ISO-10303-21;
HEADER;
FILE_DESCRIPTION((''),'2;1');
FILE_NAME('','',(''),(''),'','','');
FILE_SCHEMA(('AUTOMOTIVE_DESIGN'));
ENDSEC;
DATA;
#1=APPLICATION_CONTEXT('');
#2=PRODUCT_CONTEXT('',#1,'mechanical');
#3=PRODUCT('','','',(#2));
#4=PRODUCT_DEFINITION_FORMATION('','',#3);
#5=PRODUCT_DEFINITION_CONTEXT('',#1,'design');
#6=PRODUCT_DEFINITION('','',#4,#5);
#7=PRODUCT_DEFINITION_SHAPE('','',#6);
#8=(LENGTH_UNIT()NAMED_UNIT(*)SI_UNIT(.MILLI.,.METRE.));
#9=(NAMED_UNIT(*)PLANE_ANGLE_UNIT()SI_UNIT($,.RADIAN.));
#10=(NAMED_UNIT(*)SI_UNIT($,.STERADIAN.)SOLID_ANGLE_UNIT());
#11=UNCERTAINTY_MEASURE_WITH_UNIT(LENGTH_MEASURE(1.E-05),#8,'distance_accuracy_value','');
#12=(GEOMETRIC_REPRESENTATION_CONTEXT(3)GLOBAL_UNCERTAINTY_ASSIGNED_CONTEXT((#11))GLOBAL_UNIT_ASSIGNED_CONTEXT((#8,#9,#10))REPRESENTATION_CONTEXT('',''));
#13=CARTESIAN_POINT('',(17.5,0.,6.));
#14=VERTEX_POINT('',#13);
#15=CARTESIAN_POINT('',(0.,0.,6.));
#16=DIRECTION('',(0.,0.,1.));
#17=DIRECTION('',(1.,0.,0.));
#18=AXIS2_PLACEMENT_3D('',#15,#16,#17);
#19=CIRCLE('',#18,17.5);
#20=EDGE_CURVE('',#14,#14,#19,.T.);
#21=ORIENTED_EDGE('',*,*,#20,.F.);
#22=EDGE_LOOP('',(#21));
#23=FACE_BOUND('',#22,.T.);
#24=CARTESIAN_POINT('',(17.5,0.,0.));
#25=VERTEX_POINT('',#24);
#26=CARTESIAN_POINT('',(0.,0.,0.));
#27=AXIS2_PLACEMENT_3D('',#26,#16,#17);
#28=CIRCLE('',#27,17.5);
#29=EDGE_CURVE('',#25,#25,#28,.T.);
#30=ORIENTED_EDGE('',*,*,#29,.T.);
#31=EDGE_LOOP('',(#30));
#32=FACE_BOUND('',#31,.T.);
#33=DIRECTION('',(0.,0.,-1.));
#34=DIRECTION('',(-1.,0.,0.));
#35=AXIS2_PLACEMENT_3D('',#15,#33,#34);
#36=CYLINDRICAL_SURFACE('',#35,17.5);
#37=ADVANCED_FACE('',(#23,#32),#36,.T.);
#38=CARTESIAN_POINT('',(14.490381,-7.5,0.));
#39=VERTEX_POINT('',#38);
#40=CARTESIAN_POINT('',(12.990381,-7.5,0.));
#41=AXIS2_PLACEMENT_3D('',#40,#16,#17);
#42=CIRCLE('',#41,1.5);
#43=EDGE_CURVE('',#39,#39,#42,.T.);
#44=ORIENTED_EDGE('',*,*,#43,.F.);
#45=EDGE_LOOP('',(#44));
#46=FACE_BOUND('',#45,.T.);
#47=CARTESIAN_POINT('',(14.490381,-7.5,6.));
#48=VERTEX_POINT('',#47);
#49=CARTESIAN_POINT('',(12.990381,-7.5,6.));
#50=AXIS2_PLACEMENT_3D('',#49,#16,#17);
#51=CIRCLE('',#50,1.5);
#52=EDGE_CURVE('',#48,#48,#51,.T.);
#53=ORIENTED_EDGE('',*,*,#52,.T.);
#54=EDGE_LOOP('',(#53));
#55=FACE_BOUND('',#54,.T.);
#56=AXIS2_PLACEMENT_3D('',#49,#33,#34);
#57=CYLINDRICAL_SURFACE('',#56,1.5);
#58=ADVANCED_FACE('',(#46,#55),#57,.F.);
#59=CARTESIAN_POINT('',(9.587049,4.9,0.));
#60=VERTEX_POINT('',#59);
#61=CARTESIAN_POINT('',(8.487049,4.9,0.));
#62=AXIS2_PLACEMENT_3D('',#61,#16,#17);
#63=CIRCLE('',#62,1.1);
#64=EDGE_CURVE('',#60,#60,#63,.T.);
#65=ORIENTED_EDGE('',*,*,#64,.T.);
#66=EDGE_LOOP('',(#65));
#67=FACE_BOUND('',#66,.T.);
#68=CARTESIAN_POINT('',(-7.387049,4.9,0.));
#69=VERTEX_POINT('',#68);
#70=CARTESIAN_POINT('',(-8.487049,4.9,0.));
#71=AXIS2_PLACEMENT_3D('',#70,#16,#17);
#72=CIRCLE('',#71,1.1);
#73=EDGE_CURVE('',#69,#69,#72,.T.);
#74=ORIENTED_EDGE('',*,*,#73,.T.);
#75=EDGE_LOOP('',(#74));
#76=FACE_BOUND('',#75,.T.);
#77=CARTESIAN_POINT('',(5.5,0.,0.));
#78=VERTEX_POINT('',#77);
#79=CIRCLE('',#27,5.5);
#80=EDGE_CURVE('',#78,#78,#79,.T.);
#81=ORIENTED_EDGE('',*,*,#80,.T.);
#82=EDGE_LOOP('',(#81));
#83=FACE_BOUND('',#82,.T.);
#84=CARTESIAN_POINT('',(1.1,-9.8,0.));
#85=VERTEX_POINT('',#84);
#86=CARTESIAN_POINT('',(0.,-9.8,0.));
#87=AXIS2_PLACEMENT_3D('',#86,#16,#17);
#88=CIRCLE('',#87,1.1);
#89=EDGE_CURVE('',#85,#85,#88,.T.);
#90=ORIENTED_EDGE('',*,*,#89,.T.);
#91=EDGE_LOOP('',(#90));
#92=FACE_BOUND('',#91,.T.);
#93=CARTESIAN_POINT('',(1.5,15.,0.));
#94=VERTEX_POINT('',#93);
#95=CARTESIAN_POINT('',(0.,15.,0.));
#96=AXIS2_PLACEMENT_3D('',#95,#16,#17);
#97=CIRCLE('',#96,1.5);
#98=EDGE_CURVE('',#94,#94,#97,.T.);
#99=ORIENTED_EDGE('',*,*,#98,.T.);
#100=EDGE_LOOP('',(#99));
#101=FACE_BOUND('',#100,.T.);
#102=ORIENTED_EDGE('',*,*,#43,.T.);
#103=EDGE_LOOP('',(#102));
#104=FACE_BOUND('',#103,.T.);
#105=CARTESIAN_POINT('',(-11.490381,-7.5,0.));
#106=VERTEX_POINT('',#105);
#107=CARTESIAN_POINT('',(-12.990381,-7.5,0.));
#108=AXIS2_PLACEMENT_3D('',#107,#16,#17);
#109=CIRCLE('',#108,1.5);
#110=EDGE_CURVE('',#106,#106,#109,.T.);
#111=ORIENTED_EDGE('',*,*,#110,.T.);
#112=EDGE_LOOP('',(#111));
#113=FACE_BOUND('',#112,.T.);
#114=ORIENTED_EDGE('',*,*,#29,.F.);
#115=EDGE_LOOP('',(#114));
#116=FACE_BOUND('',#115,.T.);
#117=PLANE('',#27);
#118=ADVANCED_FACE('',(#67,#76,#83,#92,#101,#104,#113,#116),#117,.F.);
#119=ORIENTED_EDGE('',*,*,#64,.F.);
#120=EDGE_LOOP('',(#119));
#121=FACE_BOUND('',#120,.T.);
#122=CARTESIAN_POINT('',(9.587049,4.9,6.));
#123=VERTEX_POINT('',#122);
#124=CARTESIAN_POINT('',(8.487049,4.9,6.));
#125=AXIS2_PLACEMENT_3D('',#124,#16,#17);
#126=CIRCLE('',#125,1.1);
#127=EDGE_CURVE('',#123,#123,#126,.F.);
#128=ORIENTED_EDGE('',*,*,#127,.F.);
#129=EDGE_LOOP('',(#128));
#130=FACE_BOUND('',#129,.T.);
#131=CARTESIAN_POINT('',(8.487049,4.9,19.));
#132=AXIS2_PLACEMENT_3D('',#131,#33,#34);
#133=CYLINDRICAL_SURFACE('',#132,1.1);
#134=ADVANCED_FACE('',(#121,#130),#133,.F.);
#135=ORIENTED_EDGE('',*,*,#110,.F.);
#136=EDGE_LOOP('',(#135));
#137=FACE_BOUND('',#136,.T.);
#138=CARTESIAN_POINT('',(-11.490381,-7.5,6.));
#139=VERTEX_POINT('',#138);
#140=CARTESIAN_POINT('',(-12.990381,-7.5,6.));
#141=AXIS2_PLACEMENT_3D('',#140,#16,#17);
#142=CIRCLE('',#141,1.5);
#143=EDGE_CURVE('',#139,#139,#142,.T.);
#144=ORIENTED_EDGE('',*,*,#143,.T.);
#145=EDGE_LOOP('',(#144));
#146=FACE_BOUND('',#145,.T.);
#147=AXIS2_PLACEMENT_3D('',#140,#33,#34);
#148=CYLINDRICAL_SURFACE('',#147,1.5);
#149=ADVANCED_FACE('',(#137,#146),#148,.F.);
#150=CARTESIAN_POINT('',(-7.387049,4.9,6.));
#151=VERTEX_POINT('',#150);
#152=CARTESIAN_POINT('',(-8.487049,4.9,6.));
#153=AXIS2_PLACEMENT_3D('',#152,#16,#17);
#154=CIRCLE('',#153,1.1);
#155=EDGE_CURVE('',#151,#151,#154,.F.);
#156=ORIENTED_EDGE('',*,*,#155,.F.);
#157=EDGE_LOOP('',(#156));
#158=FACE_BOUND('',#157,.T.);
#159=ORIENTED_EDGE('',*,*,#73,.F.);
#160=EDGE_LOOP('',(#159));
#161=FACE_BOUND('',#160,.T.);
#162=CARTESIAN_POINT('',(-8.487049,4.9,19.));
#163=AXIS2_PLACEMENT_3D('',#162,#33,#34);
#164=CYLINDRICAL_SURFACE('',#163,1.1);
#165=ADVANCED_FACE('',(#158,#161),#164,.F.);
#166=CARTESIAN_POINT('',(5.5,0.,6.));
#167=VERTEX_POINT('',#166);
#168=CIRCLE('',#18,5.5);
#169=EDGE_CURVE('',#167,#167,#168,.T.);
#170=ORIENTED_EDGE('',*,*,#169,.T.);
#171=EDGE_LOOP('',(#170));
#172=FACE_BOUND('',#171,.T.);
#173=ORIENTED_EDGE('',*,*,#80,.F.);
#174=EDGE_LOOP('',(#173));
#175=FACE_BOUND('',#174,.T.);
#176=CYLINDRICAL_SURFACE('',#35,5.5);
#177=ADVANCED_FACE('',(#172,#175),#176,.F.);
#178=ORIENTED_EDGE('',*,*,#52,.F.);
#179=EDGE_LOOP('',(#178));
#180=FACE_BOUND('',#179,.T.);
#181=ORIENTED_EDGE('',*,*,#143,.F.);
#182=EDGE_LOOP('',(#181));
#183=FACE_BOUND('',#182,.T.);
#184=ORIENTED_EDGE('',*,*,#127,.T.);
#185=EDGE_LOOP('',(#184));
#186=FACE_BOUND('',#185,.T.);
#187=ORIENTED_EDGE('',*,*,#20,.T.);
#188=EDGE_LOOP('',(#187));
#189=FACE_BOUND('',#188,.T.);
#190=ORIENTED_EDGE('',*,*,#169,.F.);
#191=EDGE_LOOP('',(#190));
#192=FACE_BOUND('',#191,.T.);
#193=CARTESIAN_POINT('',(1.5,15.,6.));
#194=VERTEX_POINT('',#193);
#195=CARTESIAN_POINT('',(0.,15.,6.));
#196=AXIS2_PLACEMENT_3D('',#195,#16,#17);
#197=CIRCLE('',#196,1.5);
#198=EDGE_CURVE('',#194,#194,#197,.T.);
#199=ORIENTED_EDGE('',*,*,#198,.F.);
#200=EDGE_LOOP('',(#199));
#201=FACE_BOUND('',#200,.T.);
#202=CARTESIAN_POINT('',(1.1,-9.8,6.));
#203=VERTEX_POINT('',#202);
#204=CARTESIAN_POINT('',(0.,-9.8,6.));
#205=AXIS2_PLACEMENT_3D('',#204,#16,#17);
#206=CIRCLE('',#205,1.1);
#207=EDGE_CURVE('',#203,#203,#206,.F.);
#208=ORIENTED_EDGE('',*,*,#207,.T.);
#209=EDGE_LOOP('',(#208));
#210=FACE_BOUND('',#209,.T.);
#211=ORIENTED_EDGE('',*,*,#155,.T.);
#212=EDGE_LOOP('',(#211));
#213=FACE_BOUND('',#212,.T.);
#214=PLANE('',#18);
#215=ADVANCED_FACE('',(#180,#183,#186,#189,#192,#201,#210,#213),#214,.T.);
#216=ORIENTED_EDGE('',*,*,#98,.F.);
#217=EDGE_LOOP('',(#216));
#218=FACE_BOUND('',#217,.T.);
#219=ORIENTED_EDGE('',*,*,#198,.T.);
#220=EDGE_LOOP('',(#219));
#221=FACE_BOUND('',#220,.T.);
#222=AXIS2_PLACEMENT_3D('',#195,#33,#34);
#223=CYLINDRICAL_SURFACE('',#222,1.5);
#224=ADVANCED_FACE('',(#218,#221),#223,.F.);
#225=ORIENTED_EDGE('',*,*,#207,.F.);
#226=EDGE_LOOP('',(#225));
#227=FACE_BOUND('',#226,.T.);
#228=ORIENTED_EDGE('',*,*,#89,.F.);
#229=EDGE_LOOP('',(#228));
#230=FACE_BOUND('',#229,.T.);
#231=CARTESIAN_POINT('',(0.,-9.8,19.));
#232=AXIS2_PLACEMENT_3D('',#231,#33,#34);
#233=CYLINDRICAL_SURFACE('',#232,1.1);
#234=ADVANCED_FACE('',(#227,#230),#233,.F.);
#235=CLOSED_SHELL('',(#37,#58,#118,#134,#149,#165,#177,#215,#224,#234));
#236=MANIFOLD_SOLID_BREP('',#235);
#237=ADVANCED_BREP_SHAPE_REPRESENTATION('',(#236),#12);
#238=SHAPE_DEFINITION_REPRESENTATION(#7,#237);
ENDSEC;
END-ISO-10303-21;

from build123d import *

# Parameters (mm, degrees)
SKETCH_1_R          = 17.5
SKETCH_1_R_2        = 1.5
SKETCH_1_R_3        = 5.5
EXTRUDE_1_DEPTH     = 6
SKETCH_2_R          = 1.1
CUT_EXTRUDE_1_DEPTH = 19


with BuildPart() as part:
    # 草图1 → 凸台-拉伸1 (new body)
    with BuildSketch(Plane.XY):
        Circle(SKETCH_1_R)
        with Locations((0, 15)):
            Circle(SKETCH_1_R_2, mode=Mode.SUBTRACT)
        with Locations((12.990381057, -7.5)):
            Circle(SKETCH_1_R_2, mode=Mode.SUBTRACT)
        with Locations((-12.990381057, -7.5)):
            Circle(SKETCH_1_R_2, mode=Mode.SUBTRACT)
        Circle(SKETCH_1_R_3, mode=Mode.SUBTRACT)
    extrude(amount=EXTRUDE_1_DEPTH)

    # 草图2 → 切除-拉伸1 (cut)
    with BuildSketch(Plane.XY):
        with Locations((-8.487048957, 4.9)):
            Circle(SKETCH_2_R)
        with Locations((8.487048957, 4.9)):
            Circle(SKETCH_2_R)
        with Locations((0, -9.8)):
            Circle(SKETCH_2_R)
    extrude(amount=CUT_EXTRUDE_1_DEPTH, mode=Mode.SUBTRACT)


solid = part.part
